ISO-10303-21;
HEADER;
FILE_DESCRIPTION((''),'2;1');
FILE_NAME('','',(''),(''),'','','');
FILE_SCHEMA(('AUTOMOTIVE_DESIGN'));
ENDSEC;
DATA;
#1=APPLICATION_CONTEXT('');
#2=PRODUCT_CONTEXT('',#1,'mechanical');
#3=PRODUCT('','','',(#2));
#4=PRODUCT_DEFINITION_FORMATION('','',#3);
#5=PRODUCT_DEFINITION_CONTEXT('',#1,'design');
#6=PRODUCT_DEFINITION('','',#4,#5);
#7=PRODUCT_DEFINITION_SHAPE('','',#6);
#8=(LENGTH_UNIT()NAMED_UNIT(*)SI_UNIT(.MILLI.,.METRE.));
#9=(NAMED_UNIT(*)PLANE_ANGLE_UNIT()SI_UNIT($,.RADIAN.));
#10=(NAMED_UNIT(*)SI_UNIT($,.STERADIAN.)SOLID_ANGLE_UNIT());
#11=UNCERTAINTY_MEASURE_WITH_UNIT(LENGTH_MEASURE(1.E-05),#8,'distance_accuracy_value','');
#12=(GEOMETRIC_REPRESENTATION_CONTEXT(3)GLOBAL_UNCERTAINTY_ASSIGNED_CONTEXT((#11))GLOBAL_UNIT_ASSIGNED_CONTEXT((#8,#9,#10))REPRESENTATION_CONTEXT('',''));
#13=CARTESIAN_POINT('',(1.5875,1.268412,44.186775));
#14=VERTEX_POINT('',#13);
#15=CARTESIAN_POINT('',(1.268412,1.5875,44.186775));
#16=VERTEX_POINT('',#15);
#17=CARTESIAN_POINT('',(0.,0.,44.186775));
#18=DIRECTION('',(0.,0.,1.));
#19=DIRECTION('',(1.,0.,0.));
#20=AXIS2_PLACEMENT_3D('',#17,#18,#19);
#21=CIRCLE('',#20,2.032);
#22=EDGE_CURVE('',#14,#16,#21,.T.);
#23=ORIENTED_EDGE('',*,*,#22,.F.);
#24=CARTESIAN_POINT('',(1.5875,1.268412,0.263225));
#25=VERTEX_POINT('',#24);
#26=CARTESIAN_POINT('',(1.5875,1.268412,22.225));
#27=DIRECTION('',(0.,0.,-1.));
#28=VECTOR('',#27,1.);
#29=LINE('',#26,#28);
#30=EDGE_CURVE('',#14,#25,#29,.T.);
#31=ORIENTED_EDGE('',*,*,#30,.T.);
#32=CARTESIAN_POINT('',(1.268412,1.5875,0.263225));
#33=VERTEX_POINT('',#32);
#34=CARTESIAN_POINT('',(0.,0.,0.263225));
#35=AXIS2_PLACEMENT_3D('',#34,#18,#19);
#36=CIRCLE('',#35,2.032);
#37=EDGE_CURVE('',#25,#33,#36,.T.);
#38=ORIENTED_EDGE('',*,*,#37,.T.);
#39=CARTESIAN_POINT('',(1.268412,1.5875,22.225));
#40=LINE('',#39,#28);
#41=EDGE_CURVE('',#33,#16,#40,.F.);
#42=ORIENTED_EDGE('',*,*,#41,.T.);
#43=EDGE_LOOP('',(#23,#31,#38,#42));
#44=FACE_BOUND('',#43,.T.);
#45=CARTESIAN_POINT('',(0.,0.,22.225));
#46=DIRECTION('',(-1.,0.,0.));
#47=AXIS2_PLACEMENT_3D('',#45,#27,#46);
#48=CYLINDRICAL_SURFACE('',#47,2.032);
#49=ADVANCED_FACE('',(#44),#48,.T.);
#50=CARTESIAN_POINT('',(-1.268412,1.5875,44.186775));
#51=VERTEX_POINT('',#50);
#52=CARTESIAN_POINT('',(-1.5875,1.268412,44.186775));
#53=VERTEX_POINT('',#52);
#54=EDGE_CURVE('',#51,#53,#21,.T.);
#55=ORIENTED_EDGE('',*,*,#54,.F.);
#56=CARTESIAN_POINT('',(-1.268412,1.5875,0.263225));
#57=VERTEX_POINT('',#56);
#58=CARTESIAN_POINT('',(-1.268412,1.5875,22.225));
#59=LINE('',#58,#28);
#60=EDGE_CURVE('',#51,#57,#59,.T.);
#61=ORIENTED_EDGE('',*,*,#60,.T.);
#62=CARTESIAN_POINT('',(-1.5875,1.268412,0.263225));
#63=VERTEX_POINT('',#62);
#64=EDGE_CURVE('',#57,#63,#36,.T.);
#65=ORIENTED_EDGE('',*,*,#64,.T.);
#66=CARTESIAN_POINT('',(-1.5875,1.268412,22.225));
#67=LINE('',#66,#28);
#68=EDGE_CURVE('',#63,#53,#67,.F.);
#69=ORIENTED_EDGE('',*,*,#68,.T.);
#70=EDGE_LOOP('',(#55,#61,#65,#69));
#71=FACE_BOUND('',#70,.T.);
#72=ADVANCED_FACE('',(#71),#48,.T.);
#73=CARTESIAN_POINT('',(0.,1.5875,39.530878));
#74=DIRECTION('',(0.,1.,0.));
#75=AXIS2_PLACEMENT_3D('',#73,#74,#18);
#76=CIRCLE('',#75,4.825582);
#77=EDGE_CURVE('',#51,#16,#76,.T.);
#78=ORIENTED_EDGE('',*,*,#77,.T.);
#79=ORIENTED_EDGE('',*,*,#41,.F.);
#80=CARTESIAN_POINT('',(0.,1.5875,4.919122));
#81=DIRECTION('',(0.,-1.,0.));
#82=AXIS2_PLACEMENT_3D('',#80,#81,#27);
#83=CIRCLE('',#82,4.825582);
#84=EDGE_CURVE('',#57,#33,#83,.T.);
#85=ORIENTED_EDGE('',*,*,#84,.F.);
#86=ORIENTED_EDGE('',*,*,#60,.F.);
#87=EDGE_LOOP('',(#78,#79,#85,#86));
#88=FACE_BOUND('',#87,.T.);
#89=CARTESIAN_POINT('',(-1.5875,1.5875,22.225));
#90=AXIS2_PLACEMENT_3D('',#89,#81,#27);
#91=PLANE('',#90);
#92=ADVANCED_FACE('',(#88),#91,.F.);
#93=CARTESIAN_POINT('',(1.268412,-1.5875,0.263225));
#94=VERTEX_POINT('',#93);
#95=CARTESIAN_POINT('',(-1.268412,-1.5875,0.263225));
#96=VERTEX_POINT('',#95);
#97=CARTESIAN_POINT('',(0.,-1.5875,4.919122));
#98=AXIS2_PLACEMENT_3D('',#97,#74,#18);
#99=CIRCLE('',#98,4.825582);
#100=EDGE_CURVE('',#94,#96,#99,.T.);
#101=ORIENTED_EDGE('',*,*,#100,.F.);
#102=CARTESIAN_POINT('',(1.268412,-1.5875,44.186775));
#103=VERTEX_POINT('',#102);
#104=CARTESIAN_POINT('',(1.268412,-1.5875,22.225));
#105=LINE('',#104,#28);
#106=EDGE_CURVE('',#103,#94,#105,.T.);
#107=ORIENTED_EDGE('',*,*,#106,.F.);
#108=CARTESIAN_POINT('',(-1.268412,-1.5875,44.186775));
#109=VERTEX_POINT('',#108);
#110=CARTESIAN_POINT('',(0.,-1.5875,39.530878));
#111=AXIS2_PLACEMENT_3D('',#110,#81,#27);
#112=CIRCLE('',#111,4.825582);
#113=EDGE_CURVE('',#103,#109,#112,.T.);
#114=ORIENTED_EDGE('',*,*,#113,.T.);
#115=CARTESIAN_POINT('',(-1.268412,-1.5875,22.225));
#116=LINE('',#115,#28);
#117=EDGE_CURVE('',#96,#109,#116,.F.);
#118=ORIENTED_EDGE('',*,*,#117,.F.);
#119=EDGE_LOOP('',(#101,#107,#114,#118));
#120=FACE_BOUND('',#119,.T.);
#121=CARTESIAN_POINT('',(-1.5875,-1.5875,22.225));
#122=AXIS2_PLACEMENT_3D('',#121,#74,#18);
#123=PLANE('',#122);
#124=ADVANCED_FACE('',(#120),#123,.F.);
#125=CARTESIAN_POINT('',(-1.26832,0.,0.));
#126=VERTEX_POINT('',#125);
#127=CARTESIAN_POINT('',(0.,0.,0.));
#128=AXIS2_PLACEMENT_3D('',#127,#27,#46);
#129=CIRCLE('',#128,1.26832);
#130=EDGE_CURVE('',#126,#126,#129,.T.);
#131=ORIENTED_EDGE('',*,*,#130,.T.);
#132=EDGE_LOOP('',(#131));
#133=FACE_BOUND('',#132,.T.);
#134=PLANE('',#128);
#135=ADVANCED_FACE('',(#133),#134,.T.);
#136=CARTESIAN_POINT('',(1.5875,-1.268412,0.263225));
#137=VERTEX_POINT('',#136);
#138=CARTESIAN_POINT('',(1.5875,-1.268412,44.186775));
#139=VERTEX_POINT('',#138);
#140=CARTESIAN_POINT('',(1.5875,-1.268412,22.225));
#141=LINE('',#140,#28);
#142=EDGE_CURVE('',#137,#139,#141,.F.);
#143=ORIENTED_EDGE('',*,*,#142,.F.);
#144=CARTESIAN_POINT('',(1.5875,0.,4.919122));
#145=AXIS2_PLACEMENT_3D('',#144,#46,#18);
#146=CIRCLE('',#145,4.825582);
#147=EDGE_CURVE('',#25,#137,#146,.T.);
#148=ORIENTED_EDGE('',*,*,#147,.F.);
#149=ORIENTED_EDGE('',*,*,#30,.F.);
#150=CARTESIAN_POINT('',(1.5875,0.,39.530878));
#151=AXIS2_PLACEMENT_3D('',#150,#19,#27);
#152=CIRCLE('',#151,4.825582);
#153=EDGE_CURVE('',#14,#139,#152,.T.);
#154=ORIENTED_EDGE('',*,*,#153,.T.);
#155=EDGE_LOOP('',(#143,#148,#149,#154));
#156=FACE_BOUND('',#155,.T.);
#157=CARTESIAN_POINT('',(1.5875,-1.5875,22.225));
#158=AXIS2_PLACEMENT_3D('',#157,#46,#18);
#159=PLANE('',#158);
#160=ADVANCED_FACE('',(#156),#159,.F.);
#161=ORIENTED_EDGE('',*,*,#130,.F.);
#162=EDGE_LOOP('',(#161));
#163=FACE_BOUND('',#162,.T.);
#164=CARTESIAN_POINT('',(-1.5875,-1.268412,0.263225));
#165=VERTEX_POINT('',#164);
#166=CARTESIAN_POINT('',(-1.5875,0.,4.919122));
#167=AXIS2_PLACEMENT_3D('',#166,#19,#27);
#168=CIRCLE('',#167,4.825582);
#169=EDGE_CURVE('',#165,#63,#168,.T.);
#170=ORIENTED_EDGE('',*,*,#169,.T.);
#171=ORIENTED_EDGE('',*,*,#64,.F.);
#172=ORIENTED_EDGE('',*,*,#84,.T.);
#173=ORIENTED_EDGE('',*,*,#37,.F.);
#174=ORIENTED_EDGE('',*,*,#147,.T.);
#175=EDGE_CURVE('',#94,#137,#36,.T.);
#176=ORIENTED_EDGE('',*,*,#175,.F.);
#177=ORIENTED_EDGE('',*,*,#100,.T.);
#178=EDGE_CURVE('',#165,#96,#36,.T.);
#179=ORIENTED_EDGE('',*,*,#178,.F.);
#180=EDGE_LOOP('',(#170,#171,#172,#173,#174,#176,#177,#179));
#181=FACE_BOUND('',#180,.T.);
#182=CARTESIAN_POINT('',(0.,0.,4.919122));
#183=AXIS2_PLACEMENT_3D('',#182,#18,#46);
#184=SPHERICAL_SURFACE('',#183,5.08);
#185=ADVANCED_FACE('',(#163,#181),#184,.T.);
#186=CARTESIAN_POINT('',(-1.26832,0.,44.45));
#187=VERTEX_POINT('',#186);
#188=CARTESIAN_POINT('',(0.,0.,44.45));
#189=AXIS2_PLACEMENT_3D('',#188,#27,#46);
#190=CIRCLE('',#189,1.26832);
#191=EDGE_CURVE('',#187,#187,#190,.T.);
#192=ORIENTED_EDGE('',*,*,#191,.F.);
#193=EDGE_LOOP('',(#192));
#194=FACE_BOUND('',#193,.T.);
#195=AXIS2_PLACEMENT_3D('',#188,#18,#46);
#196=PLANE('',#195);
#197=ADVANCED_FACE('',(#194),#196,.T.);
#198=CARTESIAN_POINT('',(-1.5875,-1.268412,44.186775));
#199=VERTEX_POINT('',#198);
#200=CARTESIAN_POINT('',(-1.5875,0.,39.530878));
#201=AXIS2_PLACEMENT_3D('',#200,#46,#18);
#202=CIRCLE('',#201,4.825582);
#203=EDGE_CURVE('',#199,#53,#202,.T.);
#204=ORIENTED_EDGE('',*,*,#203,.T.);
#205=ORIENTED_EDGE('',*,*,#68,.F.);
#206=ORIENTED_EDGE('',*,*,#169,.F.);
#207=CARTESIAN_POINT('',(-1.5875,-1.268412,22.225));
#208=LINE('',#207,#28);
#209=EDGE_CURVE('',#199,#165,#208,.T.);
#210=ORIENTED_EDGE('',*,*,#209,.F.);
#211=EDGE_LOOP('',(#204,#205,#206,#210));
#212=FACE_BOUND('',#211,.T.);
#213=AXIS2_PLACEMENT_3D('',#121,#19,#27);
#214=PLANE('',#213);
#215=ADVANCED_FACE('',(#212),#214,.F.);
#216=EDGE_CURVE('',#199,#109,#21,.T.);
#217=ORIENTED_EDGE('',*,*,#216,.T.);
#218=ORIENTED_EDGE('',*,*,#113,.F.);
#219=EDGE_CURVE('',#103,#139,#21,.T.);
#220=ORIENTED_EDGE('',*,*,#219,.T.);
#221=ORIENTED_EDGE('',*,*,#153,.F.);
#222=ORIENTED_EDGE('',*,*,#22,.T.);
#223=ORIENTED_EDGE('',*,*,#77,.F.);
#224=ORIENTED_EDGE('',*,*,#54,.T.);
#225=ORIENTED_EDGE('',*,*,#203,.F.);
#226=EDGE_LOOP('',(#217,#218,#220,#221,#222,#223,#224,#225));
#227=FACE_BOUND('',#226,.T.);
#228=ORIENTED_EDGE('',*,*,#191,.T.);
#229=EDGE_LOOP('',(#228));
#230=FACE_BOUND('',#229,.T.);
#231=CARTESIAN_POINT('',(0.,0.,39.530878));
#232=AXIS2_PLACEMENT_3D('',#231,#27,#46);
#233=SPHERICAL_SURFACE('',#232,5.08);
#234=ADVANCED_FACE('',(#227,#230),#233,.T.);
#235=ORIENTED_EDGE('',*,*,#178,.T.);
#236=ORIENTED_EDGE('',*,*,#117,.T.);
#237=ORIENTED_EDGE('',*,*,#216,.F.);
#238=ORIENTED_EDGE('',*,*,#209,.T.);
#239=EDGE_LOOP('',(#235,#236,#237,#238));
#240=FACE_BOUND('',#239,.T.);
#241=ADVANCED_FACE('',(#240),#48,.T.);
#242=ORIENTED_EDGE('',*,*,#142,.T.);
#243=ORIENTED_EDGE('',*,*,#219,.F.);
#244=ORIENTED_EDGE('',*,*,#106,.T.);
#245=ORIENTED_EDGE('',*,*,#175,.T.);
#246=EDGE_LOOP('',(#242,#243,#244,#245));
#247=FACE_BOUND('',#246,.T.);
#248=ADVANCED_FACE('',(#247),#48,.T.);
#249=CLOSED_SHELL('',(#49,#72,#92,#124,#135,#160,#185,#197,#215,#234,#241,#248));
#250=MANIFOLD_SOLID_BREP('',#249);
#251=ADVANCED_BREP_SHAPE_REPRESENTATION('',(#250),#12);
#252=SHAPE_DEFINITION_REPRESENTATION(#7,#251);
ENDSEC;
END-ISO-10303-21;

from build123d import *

# Parameters (mm, degrees)
SKETCH1_W           = 3.175
SKETCH1_H           = 3.175
BOSS_EXTRUDE1_DEPTH = 22.225
SKETCH2_OUTSIDE_W   = 9.708
SKETCH2_OUTSIDE_H   = 9.708
SKETCH2_OUTSIDE_R   = 2.032
CUT_EXTRUDE1_DEPTH  = 23.338105056


with BuildPart() as part:
    # Sketch1 → Boss-Extrude1 (new body)
    with BuildSketch(Plane.XY):
        Rectangle(SKETCH1_W, SKETCH1_H)
    extrude(amount=BOSS_EXTRUDE1_DEPTH)

    # Sketch2 outside → Cut-Extrude1 (cut, through all)
    with BuildSketch(Plane(origin=(0, 0, 0), x_dir=(-1, 0, 0), z_dir=(0, 0, -1))):
        Rectangle(SKETCH2_OUTSIDE_W, SKETCH2_OUTSIDE_H)
        Circle(SKETCH2_OUTSIDE_R, mode=Mode.SUBTRACT)
    extrude(amount=-CUT_EXTRUDE1_DEPTH, mode=Mode.SUBTRACT)

    # Sketch3 → Cut-Revolve1 (revolve, cut)
    with BuildSketch(Plane(origin=(0, 0, 0), x_dir=(1, 0, 0), z_dir=(0, 1, 0))):
        with BuildLine():
            Line((-5.053685963, -4.40273269), (-5.053685963, 5.740530545))
            Line((-5.053685963, 5.740530545), (0, 5.740530545))
            Line((0, 5.740530545), (0, 0.160877736))
            ThreePointArc((0, 0.160877736), (-3.404639553, -1.148866368), (-5.053685963, -4.40273269))
        make_face()
    revolve(axis=Axis((0, 0, 22.225), (0, 0, -1)), mode=Mode.SUBTRACT)

    # Mirror1: part across plane


with BuildPart() as part_1:
    add(part.part)
    add(part.part.mirror(Plane(origin=(0, 0, 22.225), x_dir=(1, 0, 0), z_dir=(0, 0, -1))))


solid = part_1.part
